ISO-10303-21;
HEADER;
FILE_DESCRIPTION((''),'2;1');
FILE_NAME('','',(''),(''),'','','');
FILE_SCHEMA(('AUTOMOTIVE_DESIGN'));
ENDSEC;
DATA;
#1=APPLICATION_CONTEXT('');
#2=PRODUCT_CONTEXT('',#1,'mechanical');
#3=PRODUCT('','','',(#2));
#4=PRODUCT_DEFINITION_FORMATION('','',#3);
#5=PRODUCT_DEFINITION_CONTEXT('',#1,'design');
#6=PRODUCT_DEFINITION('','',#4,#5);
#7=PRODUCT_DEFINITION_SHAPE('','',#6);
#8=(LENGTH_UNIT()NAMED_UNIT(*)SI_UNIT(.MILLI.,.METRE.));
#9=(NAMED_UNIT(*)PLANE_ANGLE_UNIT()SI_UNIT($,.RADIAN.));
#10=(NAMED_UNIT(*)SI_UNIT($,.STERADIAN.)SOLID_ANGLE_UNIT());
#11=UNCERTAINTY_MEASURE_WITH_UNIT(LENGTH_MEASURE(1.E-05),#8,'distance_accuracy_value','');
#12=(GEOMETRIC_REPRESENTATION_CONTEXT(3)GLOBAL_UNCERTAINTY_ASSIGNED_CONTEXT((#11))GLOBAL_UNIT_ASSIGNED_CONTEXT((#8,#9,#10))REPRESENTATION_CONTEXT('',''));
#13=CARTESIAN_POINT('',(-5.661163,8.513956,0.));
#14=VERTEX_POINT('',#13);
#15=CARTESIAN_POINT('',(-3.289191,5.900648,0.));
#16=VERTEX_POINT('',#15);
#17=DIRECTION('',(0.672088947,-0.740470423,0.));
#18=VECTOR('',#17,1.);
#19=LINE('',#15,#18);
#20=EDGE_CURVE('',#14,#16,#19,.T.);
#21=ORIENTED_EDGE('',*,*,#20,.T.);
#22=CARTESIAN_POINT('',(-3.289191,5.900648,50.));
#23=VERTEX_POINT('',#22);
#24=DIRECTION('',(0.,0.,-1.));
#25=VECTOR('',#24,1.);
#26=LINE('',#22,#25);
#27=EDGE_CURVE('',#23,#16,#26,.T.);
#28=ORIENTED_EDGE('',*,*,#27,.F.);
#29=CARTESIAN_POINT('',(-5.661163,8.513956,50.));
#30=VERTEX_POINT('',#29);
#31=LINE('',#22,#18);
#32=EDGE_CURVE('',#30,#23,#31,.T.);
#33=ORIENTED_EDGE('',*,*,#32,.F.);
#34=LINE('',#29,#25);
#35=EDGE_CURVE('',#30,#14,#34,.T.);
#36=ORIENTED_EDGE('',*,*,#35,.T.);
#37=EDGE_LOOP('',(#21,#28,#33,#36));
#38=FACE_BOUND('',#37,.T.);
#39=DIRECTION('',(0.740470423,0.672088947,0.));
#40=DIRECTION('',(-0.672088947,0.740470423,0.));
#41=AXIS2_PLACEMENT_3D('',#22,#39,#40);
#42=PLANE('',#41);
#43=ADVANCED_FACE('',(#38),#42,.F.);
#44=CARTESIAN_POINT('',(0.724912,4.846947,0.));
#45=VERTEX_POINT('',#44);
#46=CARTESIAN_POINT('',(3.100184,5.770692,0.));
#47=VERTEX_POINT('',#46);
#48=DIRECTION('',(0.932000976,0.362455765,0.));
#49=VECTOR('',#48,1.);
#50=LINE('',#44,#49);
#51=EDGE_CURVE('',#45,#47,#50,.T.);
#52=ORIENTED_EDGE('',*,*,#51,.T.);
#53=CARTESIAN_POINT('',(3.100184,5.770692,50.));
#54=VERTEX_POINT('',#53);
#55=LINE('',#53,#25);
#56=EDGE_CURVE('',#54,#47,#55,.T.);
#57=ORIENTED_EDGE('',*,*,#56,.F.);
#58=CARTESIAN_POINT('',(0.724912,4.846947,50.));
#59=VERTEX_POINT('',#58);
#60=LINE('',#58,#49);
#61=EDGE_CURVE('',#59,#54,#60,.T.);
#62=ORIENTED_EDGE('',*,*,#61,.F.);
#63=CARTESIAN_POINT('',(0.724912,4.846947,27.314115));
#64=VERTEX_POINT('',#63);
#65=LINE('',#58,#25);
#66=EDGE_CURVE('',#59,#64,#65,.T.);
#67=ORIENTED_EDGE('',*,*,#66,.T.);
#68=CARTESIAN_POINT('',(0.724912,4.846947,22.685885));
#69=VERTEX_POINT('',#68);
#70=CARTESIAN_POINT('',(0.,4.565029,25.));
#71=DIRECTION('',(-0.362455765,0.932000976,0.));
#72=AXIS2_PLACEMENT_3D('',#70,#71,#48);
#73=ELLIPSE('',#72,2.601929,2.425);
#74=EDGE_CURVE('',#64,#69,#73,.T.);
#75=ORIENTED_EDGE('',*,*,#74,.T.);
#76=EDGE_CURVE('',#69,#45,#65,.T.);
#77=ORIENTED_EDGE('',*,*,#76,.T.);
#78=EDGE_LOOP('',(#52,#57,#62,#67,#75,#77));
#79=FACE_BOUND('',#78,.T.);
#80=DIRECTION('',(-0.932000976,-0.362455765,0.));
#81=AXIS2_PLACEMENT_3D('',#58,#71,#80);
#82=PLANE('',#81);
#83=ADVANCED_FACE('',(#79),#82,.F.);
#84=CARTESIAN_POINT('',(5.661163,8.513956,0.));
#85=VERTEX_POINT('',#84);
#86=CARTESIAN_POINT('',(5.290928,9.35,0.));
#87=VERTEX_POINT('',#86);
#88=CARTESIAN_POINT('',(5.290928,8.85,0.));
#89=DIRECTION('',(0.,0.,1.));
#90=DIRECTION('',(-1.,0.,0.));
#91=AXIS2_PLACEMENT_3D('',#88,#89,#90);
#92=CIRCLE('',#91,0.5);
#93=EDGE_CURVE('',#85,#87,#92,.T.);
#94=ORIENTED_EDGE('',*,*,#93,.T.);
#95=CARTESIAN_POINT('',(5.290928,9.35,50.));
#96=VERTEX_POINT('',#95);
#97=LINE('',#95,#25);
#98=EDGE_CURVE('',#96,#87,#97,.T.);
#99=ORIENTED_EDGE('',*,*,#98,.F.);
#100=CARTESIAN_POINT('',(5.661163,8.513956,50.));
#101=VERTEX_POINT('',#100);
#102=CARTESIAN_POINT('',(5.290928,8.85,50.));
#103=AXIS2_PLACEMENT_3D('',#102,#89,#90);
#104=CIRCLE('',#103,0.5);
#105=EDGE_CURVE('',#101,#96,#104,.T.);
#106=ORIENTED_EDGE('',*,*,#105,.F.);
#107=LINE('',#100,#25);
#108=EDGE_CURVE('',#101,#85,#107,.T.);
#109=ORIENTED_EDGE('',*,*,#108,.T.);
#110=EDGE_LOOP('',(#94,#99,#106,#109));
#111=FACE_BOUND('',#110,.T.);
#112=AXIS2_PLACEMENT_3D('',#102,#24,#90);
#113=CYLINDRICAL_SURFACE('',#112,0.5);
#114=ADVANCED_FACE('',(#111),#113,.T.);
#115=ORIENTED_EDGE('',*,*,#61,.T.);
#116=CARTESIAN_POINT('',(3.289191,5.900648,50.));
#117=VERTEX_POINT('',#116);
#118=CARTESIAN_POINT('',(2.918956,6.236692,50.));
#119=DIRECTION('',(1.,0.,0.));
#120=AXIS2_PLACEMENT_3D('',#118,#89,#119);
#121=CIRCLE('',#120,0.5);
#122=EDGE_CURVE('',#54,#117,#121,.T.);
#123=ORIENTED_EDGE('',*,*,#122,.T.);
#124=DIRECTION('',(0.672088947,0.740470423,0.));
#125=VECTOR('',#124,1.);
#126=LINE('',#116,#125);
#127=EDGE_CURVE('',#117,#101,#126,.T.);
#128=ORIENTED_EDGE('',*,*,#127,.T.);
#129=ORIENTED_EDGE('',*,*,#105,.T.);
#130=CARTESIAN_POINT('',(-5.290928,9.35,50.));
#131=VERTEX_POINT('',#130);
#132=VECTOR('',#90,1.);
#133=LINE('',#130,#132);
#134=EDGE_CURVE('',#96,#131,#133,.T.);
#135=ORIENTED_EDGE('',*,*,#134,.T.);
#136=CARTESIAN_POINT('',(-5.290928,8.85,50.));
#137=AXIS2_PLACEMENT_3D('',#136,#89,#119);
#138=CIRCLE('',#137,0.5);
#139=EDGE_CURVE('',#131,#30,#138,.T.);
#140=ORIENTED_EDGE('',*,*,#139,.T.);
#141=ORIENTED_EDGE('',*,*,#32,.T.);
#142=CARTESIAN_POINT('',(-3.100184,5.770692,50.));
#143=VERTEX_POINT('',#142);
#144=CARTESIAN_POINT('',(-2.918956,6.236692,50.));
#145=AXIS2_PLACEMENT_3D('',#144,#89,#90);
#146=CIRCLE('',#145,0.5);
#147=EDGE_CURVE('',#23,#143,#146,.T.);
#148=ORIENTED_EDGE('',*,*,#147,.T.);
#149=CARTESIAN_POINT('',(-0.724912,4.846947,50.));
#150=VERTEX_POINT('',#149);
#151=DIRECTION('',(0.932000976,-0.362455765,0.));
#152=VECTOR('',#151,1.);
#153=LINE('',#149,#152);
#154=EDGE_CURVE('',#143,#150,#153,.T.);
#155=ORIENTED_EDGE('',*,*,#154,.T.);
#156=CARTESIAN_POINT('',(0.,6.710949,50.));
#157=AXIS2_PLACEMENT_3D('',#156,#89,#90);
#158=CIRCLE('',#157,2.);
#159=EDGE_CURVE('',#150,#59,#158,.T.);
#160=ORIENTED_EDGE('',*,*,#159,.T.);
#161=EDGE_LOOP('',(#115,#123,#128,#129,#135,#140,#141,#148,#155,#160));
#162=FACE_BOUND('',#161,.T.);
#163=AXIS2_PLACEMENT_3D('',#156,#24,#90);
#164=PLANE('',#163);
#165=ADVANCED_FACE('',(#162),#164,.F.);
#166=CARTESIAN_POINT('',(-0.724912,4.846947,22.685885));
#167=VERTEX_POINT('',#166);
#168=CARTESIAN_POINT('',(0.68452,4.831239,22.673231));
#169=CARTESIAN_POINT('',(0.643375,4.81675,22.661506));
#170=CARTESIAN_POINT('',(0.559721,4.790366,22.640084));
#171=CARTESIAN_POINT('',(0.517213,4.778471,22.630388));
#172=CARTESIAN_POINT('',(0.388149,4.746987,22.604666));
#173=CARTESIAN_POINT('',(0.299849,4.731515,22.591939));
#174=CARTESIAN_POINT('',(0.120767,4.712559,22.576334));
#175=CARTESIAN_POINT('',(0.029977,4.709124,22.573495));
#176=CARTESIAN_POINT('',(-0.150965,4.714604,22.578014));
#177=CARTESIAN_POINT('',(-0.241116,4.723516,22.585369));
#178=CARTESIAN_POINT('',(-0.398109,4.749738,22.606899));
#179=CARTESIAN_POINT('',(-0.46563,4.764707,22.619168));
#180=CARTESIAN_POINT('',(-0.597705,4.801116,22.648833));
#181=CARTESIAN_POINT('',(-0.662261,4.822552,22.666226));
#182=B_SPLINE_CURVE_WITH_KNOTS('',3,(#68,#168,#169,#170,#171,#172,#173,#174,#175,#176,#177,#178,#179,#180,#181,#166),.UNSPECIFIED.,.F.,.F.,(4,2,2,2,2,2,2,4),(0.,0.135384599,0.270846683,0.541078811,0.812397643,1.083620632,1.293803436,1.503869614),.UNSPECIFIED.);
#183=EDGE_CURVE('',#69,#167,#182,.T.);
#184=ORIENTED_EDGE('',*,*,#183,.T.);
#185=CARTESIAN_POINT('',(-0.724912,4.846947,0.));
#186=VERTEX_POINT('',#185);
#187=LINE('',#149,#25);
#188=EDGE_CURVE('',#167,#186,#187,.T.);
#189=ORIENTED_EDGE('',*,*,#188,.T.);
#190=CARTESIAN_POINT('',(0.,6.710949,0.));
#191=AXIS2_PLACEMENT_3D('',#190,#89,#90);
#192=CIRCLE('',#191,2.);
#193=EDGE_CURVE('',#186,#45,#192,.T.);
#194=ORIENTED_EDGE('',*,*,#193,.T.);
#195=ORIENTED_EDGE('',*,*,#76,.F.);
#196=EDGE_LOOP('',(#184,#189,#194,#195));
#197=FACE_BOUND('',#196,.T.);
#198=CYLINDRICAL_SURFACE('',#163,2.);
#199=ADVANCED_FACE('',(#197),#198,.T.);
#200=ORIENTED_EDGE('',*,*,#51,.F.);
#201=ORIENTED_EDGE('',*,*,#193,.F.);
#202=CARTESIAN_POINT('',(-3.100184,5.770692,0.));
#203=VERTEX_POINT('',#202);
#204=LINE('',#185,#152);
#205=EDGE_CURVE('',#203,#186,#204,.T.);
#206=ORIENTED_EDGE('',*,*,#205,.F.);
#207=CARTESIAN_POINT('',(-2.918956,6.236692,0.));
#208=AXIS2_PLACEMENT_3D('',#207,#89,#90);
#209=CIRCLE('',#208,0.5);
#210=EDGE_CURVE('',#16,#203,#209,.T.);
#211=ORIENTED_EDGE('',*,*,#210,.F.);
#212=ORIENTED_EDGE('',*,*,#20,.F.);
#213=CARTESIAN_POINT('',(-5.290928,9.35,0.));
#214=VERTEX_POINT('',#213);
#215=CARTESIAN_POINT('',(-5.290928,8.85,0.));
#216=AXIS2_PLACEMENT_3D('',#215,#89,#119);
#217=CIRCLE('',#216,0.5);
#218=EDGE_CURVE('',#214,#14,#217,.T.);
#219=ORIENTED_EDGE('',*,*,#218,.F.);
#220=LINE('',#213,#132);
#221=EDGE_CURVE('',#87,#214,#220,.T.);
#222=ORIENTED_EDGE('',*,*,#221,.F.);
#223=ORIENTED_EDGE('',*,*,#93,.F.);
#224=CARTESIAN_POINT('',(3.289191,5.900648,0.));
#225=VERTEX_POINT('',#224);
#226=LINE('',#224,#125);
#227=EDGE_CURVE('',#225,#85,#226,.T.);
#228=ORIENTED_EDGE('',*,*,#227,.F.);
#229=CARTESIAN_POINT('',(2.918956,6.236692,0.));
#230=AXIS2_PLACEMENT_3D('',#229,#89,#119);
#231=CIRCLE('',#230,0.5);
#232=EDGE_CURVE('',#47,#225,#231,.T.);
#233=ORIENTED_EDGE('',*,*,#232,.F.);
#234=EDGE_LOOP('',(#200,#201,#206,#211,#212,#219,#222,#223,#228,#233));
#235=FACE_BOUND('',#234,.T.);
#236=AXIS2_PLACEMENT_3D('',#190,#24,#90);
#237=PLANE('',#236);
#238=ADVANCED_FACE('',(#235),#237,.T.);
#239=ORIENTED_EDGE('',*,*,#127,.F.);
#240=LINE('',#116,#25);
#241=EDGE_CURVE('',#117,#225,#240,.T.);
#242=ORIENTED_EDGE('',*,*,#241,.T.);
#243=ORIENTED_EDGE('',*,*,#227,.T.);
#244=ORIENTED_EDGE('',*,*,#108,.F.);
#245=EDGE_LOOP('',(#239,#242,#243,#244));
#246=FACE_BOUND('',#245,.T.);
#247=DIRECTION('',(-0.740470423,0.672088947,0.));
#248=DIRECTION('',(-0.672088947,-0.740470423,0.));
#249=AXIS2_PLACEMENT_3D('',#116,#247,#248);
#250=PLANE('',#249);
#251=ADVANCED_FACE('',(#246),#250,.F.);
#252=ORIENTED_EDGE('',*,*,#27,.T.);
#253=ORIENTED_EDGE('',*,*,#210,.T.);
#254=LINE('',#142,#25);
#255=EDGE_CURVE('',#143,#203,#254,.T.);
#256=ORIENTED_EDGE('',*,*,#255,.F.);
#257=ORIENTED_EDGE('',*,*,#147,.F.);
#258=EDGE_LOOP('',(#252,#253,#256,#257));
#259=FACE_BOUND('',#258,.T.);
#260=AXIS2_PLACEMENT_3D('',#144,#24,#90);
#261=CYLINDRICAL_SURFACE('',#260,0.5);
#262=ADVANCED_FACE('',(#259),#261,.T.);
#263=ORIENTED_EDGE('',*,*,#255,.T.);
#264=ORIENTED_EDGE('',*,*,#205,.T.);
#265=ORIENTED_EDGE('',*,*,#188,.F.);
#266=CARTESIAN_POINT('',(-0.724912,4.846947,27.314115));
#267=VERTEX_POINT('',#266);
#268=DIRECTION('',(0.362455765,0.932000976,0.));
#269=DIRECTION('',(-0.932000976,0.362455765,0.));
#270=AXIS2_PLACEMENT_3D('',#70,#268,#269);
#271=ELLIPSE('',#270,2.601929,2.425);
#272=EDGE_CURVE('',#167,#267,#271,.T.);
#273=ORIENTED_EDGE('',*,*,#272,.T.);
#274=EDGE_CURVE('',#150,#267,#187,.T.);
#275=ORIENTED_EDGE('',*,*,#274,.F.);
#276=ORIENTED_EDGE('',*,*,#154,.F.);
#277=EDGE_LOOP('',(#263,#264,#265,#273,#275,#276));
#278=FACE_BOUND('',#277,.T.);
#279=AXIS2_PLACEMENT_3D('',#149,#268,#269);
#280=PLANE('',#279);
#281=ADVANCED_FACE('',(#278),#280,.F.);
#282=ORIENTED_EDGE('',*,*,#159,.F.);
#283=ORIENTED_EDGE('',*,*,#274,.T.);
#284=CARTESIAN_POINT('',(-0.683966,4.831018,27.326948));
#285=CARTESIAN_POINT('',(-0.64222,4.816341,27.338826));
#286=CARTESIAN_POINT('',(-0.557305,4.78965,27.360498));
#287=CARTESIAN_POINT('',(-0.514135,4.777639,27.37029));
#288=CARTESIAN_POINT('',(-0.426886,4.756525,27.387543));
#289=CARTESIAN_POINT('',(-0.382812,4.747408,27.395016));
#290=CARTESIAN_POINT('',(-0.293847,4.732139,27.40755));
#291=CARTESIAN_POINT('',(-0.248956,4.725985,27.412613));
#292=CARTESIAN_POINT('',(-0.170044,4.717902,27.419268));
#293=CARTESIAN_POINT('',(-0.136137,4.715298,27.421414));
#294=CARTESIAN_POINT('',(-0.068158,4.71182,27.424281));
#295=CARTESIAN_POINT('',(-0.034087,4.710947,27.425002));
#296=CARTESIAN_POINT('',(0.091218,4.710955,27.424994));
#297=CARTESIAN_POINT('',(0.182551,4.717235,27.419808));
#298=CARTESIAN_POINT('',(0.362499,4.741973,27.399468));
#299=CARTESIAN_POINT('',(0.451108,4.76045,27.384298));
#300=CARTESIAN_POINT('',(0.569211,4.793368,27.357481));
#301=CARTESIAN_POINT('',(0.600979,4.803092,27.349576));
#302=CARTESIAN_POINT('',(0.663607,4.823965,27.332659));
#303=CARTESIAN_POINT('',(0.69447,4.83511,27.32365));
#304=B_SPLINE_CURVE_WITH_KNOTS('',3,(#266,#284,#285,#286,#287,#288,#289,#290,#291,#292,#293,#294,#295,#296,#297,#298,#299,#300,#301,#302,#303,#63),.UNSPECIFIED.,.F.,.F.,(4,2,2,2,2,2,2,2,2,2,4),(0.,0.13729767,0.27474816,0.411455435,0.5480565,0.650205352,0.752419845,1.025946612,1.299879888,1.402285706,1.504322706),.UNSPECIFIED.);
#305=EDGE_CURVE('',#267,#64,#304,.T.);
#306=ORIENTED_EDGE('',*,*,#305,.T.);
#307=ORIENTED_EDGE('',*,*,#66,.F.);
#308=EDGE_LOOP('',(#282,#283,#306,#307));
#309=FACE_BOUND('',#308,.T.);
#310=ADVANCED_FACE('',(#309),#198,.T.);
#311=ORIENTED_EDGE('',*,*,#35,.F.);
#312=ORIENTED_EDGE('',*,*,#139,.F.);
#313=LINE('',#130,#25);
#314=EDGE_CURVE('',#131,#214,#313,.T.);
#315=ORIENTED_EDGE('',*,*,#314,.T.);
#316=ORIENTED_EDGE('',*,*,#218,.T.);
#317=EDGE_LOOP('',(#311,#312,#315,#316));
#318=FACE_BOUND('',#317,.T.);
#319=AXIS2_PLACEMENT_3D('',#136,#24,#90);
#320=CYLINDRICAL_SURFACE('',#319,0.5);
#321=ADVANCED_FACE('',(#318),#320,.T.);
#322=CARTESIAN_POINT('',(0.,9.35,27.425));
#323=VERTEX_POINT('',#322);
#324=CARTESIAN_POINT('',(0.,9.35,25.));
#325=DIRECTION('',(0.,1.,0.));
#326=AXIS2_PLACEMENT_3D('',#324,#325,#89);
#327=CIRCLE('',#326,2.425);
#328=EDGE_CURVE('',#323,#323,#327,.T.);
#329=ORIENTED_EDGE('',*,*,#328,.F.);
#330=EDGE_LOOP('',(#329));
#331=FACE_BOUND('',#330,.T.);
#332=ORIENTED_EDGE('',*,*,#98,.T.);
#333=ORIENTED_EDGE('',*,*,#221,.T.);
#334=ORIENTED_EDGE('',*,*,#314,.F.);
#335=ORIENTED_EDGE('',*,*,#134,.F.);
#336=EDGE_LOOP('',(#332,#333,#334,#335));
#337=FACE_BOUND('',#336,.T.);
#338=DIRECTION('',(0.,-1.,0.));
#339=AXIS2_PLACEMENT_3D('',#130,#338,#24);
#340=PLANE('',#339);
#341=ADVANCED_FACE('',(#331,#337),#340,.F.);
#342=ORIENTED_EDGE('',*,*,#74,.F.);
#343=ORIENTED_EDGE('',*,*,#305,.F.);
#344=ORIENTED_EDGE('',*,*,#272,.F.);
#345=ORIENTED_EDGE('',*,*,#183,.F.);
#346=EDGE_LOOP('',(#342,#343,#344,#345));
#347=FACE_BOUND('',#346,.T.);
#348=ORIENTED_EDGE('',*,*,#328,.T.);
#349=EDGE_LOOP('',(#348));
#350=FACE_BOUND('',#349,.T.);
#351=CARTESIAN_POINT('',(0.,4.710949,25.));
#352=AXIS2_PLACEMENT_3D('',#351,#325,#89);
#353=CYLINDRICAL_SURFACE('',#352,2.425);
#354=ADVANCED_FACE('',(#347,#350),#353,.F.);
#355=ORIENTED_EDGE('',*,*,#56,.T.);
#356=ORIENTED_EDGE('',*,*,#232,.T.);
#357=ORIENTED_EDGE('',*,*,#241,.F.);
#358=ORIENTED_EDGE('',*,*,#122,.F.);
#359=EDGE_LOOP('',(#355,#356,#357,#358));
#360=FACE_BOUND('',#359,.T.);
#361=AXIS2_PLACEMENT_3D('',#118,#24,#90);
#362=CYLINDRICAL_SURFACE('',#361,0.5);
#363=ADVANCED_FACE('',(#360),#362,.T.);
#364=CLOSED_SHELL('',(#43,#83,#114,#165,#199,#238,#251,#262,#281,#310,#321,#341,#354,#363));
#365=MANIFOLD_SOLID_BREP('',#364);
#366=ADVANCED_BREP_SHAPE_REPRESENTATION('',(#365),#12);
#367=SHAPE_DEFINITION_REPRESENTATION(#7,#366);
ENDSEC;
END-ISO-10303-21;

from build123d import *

# Parameters (mm, degrees)
BOSS_EXTRUDE1_DEPTH = 50
SKETCH3_R           = 2.425
CUT_EXTRUDE1_DEPTH  = 51.547558199


with BuildPart() as part:
    # Sketch2 → Boss-Extrude1 (new body)
    with BuildSketch(Plane.XY):
        with BuildLine():
            Line((-5.290927929, 9.35), (5.290927929, 9.35))
            ThreePointArc((5.290927929, 9.35), (5.748105268, 9.052457111), (5.661163141, 8.513955526))
            Line((5.661163141, 8.513955526), (3.289191157, 5.900648009))
            ThreePointArc((3.289191157, 5.900648009), (3.202240303, 5.824685234), (3.100183828, 5.770691994))
            Line((3.100183828, 5.770691994), (0.724911529, 4.846947106))
            ThreePointArc((0.724911529, 4.846947106), (0, 4.710949058), (-0.724911529, 4.846947106))
            Line((-0.724911529, 4.846947106), (-3.100183828, 5.770691994))
            ThreePointArc((-3.100183828, 5.770691994), (-3.202240303, 5.824685234), (-3.289191157, 5.900648009))
            Line((-3.289191157, 5.900648009), (-5.661163141, 8.513955526))
            ThreePointArc((-5.661163141, 8.513955526), (-5.748105268, 9.052457111), (-5.290927929, 9.35))
        make_face()
    extrude(amount=BOSS_EXTRUDE1_DEPTH)

    # Sketch3 → Cut-Extrude1 (cut, through all)
    with BuildSketch(Plane(origin=(0, 9.35, 0), x_dir=(1, 0, 0), z_dir=(0, 1, 0))):
        with Locations(Location((0, -25, 0), (0, 0, 270))):
            Circle(SKETCH3_R)
    extrude(amount=-CUT_EXTRUDE1_DEPTH, mode=Mode.SUBTRACT)


solid = part.part
